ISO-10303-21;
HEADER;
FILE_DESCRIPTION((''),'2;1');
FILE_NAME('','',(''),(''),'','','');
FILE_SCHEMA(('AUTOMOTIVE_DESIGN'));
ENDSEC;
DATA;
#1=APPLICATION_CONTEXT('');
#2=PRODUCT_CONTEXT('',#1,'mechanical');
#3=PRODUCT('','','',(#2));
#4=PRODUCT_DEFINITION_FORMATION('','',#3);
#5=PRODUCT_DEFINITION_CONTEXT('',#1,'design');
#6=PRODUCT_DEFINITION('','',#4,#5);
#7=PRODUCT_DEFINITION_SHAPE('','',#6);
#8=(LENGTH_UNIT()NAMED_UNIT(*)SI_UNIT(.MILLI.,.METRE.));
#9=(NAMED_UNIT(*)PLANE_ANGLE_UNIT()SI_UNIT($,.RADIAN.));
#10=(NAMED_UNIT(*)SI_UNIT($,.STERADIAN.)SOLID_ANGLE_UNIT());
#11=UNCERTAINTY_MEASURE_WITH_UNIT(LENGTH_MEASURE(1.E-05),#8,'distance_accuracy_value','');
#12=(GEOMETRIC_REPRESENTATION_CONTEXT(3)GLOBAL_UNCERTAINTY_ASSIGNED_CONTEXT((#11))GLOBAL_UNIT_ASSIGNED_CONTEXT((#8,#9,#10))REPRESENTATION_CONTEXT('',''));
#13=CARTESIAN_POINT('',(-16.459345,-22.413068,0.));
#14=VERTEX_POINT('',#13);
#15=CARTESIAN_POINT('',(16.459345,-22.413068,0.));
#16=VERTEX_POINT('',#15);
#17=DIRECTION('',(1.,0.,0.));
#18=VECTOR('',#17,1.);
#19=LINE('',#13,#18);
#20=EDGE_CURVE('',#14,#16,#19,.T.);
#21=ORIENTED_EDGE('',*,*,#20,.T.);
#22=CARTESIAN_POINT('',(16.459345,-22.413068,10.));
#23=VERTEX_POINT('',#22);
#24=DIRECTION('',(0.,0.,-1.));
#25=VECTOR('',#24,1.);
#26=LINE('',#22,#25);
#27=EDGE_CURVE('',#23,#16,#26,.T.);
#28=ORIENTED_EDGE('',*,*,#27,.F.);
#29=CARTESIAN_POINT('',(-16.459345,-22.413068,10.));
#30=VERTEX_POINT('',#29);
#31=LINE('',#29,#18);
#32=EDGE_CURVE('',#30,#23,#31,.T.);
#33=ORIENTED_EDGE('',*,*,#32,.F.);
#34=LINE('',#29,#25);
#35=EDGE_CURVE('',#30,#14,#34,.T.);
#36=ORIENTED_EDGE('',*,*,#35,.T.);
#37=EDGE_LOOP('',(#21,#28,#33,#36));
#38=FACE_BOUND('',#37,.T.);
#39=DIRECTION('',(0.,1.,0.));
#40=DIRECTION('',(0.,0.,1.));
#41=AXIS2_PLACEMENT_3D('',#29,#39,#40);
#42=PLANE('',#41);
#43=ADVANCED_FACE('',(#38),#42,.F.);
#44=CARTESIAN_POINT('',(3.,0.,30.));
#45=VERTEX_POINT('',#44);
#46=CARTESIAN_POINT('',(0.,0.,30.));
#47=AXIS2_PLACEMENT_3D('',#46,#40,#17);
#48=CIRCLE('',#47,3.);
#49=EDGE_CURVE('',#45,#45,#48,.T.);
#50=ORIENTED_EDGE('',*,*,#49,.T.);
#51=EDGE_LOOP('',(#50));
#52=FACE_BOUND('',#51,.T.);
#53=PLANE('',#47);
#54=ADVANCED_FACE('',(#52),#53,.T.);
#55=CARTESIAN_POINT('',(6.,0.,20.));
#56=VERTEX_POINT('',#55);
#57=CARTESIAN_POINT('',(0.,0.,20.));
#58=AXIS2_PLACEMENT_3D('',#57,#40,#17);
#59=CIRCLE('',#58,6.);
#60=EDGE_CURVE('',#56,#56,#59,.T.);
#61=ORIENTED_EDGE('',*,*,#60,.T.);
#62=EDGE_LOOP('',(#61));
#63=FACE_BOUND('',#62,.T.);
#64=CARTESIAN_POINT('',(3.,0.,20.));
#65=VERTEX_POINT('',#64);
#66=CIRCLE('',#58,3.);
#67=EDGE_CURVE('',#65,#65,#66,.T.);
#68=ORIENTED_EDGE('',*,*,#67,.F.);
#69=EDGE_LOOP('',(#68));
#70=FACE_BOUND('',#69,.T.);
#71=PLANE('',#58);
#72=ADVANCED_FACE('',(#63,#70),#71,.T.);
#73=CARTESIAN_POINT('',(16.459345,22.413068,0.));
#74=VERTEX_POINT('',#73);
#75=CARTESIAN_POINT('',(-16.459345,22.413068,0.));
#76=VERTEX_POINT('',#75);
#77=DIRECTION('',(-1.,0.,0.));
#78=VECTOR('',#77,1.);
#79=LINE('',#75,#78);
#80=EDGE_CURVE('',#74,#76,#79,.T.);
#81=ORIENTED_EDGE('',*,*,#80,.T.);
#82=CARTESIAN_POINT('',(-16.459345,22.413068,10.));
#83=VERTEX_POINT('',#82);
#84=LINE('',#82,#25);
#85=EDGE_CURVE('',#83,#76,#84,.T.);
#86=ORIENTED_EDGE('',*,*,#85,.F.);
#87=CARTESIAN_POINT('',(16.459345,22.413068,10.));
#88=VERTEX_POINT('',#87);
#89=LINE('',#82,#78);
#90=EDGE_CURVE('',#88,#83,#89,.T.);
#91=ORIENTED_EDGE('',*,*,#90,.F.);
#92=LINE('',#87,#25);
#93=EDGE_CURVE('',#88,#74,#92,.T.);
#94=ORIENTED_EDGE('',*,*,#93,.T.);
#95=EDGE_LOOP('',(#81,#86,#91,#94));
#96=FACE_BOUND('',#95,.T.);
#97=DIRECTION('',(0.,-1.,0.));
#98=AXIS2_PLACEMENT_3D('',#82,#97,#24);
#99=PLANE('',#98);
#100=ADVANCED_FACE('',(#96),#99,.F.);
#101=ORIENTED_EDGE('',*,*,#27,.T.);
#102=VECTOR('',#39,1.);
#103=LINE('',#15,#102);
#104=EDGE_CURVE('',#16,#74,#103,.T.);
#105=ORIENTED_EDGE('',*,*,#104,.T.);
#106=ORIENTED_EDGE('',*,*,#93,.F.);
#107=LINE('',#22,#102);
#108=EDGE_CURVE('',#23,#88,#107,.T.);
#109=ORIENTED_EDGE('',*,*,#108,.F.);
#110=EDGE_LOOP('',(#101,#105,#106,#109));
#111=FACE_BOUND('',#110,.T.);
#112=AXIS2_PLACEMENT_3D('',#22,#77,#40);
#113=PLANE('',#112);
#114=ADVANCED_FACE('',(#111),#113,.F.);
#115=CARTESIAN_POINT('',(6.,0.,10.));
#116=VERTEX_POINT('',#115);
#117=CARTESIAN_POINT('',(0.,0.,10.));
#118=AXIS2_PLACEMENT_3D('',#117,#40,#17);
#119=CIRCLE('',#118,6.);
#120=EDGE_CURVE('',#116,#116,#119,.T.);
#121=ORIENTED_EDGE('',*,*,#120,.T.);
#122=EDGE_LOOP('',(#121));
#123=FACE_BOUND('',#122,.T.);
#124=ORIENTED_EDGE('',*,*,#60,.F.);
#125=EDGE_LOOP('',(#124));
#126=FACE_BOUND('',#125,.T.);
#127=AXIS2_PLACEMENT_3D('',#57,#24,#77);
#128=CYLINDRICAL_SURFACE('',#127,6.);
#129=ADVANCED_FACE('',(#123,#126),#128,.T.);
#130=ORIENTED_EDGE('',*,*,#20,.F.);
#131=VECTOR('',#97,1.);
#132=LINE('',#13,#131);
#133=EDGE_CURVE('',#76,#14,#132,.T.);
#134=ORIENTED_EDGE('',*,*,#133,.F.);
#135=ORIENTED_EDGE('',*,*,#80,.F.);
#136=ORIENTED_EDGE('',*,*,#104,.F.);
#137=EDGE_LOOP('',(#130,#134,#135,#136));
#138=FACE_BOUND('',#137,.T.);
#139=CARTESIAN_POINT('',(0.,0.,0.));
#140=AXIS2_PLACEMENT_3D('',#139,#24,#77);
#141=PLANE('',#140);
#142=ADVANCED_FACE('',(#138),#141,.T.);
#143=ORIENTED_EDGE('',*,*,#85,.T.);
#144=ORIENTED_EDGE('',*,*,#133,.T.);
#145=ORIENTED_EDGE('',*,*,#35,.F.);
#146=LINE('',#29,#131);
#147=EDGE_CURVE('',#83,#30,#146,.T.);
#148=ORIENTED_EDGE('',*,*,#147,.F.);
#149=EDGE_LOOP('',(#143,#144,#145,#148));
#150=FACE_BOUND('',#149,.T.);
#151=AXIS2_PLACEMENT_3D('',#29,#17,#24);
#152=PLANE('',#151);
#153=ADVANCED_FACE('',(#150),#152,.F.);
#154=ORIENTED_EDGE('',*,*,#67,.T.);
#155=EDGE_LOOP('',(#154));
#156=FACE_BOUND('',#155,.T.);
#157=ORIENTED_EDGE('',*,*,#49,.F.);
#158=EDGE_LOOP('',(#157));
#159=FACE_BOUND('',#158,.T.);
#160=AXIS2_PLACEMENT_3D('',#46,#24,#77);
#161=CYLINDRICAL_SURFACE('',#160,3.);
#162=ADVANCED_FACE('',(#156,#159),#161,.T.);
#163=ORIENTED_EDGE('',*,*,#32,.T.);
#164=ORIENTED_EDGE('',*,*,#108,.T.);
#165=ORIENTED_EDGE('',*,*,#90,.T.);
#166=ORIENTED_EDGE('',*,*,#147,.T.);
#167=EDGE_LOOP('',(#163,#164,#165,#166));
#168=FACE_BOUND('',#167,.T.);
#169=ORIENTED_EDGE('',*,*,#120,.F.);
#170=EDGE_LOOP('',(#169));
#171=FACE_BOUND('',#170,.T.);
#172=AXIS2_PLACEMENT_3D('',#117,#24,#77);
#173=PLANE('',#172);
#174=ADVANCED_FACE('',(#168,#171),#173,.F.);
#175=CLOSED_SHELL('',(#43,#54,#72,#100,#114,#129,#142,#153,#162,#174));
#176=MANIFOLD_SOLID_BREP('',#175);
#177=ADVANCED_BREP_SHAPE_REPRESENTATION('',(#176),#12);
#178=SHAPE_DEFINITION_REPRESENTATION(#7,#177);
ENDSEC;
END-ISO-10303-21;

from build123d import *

# Parameters (mm, degrees)
SKETCH2_W           = 32.91869007
SKETCH2_H           = 44.826135242
BOSS_EXTRUDE1_DEPTH = 10
SKETCH3_R           = 6
BOSS_EXTRUDE2_DEPTH = 10
SKETCH4_R           = 3
BOSS_EXTRUDE3_DEPTH = 10


with BuildPart() as part:
    # Sketch2 → Boss-Extrude1 (new body)
    with BuildSketch(Plane.XY):
        Rectangle(SKETCH2_W, SKETCH2_H)
    extrude(amount=BOSS_EXTRUDE1_DEPTH)

    # Sketch3 → Boss-Extrude2 (add)
    with BuildSketch(Plane.XY.offset(10)):
        Circle(SKETCH3_R)
    extrude(amount=BOSS_EXTRUDE2_DEPTH)

    # Sketch4 → Boss-Extrude3 (add)
    with BuildSketch(Plane.XY.offset(20)):
        Circle(SKETCH4_R)
    extrude(amount=BOSS_EXTRUDE3_DEPTH)


solid = part.part
